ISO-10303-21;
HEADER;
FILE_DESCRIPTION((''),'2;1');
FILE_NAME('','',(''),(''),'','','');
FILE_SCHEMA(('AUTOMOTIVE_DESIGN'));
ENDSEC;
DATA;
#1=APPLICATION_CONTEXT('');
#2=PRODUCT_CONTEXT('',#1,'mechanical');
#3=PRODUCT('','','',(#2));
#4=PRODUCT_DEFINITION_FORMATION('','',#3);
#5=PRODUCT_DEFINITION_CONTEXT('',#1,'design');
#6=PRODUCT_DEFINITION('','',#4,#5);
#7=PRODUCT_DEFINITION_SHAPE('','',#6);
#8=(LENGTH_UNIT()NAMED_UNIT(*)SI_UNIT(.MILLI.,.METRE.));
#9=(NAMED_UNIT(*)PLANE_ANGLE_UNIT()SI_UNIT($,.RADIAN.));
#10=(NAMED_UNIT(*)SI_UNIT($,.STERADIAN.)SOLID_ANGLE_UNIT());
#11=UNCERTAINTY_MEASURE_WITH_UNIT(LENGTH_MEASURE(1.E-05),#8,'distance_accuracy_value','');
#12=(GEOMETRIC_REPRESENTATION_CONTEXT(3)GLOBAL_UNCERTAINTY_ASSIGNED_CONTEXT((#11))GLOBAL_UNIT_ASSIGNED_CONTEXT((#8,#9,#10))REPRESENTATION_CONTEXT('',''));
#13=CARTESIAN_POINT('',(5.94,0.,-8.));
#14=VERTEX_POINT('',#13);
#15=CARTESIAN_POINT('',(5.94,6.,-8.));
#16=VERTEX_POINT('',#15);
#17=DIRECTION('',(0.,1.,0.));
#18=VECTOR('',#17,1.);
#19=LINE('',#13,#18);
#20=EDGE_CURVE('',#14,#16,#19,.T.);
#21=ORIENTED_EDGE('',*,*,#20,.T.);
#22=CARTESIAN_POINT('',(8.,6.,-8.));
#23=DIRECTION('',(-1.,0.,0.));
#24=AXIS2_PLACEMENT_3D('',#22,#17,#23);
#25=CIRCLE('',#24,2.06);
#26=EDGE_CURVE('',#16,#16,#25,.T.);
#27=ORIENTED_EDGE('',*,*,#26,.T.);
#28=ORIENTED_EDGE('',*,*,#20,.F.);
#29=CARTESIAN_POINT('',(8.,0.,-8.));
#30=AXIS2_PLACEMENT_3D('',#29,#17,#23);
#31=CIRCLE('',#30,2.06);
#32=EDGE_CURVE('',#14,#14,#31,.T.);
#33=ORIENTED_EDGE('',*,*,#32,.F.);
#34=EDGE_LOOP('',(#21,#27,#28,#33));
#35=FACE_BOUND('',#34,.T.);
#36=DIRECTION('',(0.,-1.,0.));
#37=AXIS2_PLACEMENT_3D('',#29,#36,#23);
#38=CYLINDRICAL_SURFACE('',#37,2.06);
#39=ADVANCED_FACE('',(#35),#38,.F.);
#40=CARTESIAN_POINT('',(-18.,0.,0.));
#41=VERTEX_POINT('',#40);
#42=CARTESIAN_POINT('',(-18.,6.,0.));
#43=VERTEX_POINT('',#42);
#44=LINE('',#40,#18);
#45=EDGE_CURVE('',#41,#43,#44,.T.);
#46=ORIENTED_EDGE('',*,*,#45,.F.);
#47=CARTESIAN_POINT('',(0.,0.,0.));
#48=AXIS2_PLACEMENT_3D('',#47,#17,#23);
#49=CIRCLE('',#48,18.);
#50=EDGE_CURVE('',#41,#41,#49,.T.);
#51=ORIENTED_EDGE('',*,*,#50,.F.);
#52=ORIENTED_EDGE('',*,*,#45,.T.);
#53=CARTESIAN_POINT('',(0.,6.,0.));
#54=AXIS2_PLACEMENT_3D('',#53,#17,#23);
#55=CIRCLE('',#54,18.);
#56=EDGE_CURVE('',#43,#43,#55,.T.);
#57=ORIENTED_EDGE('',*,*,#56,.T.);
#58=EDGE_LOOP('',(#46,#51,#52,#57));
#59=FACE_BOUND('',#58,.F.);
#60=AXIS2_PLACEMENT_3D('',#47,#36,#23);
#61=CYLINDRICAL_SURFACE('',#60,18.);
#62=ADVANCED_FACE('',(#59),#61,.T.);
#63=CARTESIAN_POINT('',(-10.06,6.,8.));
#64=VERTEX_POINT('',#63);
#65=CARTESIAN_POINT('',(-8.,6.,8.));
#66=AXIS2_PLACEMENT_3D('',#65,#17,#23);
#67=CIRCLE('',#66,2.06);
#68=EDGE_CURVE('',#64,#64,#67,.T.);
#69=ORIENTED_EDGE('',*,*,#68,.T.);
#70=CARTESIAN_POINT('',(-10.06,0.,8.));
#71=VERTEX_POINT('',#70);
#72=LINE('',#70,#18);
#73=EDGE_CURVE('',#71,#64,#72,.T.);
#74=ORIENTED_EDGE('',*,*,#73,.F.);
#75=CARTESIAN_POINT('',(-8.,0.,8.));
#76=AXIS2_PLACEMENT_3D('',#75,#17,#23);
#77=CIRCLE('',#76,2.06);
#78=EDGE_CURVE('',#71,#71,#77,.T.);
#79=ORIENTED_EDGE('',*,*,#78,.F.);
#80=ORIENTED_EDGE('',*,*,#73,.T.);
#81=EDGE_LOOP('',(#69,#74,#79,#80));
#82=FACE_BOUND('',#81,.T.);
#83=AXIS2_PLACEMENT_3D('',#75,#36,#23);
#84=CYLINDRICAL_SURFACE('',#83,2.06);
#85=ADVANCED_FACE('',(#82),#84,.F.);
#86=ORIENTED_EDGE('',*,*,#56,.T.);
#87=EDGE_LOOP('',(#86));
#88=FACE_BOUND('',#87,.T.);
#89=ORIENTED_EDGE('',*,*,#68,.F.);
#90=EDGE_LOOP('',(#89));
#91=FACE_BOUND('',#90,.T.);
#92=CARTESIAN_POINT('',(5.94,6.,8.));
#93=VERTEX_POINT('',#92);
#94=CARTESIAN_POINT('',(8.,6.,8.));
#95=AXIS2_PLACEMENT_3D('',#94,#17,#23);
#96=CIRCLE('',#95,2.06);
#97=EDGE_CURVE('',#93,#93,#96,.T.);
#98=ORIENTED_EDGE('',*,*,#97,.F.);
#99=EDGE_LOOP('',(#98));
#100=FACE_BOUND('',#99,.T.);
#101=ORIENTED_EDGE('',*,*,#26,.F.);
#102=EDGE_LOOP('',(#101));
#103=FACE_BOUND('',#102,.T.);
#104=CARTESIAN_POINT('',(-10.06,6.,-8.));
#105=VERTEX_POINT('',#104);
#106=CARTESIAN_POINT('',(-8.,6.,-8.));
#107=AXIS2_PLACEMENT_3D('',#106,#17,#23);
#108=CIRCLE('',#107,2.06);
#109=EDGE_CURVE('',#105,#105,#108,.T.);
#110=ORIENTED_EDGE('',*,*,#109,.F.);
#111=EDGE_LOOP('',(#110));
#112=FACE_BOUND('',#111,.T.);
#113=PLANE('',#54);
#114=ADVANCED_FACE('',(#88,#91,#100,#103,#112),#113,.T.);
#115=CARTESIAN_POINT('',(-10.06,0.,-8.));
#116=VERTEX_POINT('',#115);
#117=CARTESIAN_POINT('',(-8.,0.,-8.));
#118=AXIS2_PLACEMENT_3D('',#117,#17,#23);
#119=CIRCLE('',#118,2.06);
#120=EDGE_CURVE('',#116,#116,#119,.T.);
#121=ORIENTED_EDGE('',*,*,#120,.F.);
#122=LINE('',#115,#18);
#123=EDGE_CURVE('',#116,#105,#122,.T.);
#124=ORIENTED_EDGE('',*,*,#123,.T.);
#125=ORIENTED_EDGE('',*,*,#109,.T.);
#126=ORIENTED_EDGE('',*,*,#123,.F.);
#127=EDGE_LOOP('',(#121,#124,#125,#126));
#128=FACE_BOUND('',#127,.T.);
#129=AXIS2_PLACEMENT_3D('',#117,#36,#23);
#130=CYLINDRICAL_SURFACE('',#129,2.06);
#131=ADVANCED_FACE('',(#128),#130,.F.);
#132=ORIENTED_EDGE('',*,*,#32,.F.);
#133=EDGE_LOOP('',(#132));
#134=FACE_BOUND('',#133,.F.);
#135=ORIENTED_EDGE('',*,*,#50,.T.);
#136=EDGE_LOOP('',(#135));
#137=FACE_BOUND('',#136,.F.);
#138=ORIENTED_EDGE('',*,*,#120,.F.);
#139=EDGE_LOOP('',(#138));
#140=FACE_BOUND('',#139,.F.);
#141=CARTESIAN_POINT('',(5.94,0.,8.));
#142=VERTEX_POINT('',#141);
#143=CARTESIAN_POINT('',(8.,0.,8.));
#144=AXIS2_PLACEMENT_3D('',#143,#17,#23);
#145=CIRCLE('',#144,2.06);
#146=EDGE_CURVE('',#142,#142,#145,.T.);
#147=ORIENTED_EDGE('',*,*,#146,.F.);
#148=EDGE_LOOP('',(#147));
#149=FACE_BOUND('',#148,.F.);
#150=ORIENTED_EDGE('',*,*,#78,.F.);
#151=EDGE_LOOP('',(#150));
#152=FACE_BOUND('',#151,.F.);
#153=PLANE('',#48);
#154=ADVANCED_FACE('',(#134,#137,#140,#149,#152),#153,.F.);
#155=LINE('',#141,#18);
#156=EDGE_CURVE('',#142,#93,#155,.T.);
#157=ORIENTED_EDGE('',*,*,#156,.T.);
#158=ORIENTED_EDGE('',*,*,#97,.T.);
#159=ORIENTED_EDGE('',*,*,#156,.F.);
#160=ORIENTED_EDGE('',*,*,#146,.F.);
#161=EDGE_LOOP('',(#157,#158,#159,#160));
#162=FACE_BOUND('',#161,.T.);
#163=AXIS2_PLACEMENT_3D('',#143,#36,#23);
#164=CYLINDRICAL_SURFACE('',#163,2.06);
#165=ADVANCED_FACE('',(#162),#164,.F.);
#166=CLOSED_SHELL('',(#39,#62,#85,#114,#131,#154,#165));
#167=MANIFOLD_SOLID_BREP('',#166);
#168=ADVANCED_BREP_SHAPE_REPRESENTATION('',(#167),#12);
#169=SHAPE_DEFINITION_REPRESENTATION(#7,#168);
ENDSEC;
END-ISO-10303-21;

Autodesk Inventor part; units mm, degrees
ref_plane "YZ Plane" through (0, 0, 0) normal (1, 0, 0) x (0, 1, 0)
ref_plane "XZ Plane" through (0, 0, 0) normal (0, 1, 0) x (-1, 0, 0)
ref_plane "XY Plane" through (0, 0, 0) normal (0, 0, 1) x (1, 0, 0)
sketch "Sketch1" plane through (0, 0, 0) normal (0, 1, 0) x (-1, 0, 0)
  circle A0 centre (0, 0) radius 18
  circle A1 centre (8, -8) radius 2.06
  circle A2 centre (8, 8) radius 2.06
  circle A3 centre (-8, 8) radius 2.06
  circle A4 centre (-8, -8) radius 2.06
  dimension "d0" = 36
  dimension "d1" = 4.12
  dimension "d2" = 8
  dimension "d3" = 8
  dimension "d6" = 360
extrude "Extrusion1" add sketch "Sketch1" along normal blind 6
properties part number "EndEffector_Stage1BearingClamp"
